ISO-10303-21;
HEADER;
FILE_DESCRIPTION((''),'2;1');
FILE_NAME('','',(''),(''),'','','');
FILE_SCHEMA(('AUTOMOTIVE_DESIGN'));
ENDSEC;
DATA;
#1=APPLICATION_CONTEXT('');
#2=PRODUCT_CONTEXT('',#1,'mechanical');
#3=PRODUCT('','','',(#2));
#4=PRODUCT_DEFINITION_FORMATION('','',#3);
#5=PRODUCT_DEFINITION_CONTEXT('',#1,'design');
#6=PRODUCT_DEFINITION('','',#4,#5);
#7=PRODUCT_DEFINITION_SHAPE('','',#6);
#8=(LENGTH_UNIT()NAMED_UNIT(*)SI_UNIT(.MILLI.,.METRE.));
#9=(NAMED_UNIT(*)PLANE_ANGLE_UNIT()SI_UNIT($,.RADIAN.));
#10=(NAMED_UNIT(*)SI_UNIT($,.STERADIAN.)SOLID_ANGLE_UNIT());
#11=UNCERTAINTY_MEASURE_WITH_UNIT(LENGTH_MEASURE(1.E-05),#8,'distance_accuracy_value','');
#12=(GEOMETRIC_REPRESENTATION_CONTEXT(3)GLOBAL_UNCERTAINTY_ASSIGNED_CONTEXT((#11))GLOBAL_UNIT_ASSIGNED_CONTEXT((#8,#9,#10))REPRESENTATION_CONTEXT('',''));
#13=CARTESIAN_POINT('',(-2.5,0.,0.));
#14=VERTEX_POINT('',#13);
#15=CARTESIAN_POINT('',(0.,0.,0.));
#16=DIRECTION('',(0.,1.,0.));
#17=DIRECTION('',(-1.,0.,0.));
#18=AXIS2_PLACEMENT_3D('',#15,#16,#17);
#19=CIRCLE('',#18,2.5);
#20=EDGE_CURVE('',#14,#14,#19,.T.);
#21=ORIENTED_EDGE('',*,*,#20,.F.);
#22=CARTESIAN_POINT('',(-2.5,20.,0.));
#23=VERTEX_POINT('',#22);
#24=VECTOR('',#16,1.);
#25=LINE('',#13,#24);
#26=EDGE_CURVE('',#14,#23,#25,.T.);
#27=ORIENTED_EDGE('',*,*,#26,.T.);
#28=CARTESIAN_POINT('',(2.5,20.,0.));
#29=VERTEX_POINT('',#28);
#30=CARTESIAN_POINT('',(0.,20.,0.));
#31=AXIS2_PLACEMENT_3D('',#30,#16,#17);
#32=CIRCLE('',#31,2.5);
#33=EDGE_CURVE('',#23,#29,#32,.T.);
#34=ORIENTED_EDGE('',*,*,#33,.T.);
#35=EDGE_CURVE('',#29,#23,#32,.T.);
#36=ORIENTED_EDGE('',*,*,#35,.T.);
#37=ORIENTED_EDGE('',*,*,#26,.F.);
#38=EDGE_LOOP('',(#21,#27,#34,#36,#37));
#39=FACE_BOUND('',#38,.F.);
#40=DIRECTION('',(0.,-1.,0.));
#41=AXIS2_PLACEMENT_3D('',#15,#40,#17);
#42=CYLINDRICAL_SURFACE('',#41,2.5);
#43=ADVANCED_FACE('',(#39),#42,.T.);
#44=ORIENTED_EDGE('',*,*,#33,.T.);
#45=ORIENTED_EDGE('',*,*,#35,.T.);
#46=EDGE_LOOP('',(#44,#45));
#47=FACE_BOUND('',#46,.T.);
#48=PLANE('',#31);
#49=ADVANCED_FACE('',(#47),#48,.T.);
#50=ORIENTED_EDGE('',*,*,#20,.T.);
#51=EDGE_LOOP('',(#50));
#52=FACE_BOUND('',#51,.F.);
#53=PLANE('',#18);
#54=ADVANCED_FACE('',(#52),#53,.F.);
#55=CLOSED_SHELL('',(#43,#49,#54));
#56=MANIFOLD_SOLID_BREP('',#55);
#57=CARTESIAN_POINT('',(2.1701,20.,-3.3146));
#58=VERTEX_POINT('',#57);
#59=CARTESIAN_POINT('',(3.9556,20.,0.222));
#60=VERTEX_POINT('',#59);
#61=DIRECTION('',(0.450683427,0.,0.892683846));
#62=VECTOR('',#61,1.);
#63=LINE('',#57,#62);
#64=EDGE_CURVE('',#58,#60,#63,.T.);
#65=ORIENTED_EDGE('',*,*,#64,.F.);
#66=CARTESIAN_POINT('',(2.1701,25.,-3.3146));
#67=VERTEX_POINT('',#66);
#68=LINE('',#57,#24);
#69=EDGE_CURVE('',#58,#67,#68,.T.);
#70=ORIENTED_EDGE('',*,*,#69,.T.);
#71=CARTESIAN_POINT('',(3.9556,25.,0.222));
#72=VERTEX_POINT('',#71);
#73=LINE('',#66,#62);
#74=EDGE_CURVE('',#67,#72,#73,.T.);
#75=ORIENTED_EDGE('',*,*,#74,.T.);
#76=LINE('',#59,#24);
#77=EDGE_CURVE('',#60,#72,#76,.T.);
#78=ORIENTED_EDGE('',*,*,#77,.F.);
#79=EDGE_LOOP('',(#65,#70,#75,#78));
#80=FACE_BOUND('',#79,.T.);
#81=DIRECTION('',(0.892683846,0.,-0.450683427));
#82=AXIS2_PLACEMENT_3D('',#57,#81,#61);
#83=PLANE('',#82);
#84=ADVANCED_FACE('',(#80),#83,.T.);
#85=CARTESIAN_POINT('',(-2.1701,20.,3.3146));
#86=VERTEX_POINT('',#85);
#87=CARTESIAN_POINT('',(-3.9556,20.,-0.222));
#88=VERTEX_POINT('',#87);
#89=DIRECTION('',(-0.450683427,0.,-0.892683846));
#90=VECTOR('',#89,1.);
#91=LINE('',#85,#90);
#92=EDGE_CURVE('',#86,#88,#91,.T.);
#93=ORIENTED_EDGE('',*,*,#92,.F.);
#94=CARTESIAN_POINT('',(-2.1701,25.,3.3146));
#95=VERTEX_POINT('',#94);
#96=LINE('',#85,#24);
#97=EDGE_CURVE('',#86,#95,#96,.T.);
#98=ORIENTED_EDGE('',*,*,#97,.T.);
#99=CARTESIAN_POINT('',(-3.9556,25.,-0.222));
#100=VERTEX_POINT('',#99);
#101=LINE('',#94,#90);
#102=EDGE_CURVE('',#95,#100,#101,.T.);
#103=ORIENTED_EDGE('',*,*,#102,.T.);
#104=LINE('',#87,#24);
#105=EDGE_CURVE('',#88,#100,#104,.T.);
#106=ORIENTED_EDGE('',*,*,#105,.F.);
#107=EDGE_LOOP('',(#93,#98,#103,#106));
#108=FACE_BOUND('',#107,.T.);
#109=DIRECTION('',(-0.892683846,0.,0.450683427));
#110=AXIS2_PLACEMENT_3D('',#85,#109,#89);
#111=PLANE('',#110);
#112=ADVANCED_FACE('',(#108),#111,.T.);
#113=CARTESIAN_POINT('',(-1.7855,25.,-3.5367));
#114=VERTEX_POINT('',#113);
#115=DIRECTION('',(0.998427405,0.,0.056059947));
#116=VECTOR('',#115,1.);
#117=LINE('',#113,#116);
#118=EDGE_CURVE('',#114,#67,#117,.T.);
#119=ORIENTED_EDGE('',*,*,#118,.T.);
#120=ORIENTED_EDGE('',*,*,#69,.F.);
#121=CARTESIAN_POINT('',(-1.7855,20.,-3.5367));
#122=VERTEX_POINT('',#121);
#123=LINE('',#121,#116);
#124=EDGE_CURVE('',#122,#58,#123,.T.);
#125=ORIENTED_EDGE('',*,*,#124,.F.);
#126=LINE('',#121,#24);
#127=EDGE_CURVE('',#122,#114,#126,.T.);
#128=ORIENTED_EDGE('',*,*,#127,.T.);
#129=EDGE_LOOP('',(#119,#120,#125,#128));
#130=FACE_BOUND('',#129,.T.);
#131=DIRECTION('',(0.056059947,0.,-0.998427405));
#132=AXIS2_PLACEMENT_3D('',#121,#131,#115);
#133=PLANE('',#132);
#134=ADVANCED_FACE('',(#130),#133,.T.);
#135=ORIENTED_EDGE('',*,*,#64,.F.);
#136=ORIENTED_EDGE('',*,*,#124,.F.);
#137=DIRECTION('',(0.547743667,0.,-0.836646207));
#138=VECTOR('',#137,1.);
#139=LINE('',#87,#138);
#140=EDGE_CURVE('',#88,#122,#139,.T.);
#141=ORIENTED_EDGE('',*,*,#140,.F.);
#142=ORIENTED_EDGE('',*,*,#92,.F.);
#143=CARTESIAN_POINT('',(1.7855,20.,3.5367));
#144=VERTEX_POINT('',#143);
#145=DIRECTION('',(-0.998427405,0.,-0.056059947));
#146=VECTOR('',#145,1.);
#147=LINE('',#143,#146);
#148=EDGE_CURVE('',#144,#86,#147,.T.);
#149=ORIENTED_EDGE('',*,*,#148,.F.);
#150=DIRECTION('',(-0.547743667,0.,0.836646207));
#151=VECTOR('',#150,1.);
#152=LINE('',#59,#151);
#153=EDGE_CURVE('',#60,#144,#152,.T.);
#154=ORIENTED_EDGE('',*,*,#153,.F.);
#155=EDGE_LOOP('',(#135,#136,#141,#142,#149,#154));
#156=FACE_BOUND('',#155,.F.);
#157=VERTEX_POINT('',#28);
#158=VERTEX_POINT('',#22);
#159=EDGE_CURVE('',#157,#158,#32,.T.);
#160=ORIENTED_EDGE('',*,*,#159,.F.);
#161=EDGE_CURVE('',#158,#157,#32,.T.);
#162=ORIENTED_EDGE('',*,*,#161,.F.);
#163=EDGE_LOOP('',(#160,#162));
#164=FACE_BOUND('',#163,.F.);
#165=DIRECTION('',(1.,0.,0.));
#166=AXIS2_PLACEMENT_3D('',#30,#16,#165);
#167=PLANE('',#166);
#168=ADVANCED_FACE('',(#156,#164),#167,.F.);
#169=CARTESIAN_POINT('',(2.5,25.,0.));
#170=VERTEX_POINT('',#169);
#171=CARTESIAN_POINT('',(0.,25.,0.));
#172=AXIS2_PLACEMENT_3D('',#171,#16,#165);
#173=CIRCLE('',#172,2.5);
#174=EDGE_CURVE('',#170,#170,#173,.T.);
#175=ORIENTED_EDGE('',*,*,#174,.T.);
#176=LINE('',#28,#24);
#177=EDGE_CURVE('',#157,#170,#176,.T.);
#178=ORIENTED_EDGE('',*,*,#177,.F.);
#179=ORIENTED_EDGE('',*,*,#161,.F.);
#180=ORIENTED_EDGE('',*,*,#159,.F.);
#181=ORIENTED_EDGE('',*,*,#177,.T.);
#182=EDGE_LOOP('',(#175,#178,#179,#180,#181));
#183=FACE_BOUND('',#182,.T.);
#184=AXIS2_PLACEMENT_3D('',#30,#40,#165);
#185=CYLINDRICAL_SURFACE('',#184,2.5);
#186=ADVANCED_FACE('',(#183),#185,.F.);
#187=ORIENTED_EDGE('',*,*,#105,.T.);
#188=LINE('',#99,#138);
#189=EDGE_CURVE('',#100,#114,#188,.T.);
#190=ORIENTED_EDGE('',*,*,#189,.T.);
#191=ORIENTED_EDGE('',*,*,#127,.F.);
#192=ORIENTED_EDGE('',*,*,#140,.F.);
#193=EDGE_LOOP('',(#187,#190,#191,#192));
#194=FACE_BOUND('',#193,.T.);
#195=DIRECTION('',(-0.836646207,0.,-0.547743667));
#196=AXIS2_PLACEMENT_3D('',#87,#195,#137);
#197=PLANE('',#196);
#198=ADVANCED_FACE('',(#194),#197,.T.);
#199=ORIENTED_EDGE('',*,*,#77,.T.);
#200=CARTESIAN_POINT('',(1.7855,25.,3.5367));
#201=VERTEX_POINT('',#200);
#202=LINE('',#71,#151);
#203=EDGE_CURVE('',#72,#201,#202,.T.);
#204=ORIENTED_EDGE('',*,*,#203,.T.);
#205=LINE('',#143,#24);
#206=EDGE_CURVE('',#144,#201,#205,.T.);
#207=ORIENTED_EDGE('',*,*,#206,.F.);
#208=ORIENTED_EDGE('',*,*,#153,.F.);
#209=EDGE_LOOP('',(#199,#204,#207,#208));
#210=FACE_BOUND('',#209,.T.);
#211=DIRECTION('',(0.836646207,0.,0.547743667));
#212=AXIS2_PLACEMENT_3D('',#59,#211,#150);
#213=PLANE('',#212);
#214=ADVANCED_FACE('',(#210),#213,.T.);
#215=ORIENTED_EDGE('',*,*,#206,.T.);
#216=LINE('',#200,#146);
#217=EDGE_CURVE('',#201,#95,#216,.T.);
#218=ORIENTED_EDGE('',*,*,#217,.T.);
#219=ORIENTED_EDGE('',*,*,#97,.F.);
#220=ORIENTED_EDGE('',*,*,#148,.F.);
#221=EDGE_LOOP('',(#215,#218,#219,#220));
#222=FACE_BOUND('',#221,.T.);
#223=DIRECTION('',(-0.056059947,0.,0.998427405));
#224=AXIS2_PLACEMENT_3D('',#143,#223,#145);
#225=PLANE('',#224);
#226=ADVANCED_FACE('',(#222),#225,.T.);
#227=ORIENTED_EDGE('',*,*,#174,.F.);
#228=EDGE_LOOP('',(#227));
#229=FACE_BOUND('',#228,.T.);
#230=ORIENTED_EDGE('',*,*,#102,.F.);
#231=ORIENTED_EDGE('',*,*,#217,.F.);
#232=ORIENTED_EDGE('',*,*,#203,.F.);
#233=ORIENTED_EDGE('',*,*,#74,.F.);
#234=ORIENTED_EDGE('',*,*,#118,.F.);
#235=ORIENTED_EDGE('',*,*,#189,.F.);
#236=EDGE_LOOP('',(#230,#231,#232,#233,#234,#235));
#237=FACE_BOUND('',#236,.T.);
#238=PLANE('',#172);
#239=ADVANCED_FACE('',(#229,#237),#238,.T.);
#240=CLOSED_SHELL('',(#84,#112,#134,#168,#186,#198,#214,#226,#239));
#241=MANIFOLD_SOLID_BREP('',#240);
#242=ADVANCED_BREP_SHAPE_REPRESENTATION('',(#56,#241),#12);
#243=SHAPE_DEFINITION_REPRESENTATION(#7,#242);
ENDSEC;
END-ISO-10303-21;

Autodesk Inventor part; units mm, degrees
ref_plane "YZ Plane" through (0, 0, 0) normal (1, 0, 0) x (0, 1, 0)
ref_plane "XZ Plane" through (0, 0, 0) normal (0, 1, 0) x (-1, 0, 0)
ref_plane "XY Plane" through (0, 0, 0) normal (0, 0, 1) x (1, 0, 0)
sketch "Sketch1" plane through (0, 0, 0) normal (0, 1, 0) x (-1, 0, 0)
  circle A0 centre (0, 0) radius 2.5
  dimension "d0" = 5
extrude "Extrusion1" add sketch "Sketch1" along normal blind 20
sketch "Sketch2" plane through (0, 20, 0) normal (0, 1, 0) x (1, 0, 0)
  circle A0 centre (0, 0) radius 2.5 projected
  line L0 (1.7855, -3.5367) -> (-2.1701, -3.3146)
  line L1 (-2.1701, -3.3146) -> (-3.9556, 0.222)
  line L2 (-3.9556, 0.222) -> (-1.7855, 3.5367)
  line L3 (-1.7855, 3.5367) -> (2.1701, 3.3146)
  line L4 (2.1701, 3.3146) -> (3.9556, -0.222)
  line L5 (3.9556, -0.222) -> (1.7855, -3.5367)
extrude "Extrusion2" add sketch "Sketch2" along normal blind 5
properties part number "nut"
